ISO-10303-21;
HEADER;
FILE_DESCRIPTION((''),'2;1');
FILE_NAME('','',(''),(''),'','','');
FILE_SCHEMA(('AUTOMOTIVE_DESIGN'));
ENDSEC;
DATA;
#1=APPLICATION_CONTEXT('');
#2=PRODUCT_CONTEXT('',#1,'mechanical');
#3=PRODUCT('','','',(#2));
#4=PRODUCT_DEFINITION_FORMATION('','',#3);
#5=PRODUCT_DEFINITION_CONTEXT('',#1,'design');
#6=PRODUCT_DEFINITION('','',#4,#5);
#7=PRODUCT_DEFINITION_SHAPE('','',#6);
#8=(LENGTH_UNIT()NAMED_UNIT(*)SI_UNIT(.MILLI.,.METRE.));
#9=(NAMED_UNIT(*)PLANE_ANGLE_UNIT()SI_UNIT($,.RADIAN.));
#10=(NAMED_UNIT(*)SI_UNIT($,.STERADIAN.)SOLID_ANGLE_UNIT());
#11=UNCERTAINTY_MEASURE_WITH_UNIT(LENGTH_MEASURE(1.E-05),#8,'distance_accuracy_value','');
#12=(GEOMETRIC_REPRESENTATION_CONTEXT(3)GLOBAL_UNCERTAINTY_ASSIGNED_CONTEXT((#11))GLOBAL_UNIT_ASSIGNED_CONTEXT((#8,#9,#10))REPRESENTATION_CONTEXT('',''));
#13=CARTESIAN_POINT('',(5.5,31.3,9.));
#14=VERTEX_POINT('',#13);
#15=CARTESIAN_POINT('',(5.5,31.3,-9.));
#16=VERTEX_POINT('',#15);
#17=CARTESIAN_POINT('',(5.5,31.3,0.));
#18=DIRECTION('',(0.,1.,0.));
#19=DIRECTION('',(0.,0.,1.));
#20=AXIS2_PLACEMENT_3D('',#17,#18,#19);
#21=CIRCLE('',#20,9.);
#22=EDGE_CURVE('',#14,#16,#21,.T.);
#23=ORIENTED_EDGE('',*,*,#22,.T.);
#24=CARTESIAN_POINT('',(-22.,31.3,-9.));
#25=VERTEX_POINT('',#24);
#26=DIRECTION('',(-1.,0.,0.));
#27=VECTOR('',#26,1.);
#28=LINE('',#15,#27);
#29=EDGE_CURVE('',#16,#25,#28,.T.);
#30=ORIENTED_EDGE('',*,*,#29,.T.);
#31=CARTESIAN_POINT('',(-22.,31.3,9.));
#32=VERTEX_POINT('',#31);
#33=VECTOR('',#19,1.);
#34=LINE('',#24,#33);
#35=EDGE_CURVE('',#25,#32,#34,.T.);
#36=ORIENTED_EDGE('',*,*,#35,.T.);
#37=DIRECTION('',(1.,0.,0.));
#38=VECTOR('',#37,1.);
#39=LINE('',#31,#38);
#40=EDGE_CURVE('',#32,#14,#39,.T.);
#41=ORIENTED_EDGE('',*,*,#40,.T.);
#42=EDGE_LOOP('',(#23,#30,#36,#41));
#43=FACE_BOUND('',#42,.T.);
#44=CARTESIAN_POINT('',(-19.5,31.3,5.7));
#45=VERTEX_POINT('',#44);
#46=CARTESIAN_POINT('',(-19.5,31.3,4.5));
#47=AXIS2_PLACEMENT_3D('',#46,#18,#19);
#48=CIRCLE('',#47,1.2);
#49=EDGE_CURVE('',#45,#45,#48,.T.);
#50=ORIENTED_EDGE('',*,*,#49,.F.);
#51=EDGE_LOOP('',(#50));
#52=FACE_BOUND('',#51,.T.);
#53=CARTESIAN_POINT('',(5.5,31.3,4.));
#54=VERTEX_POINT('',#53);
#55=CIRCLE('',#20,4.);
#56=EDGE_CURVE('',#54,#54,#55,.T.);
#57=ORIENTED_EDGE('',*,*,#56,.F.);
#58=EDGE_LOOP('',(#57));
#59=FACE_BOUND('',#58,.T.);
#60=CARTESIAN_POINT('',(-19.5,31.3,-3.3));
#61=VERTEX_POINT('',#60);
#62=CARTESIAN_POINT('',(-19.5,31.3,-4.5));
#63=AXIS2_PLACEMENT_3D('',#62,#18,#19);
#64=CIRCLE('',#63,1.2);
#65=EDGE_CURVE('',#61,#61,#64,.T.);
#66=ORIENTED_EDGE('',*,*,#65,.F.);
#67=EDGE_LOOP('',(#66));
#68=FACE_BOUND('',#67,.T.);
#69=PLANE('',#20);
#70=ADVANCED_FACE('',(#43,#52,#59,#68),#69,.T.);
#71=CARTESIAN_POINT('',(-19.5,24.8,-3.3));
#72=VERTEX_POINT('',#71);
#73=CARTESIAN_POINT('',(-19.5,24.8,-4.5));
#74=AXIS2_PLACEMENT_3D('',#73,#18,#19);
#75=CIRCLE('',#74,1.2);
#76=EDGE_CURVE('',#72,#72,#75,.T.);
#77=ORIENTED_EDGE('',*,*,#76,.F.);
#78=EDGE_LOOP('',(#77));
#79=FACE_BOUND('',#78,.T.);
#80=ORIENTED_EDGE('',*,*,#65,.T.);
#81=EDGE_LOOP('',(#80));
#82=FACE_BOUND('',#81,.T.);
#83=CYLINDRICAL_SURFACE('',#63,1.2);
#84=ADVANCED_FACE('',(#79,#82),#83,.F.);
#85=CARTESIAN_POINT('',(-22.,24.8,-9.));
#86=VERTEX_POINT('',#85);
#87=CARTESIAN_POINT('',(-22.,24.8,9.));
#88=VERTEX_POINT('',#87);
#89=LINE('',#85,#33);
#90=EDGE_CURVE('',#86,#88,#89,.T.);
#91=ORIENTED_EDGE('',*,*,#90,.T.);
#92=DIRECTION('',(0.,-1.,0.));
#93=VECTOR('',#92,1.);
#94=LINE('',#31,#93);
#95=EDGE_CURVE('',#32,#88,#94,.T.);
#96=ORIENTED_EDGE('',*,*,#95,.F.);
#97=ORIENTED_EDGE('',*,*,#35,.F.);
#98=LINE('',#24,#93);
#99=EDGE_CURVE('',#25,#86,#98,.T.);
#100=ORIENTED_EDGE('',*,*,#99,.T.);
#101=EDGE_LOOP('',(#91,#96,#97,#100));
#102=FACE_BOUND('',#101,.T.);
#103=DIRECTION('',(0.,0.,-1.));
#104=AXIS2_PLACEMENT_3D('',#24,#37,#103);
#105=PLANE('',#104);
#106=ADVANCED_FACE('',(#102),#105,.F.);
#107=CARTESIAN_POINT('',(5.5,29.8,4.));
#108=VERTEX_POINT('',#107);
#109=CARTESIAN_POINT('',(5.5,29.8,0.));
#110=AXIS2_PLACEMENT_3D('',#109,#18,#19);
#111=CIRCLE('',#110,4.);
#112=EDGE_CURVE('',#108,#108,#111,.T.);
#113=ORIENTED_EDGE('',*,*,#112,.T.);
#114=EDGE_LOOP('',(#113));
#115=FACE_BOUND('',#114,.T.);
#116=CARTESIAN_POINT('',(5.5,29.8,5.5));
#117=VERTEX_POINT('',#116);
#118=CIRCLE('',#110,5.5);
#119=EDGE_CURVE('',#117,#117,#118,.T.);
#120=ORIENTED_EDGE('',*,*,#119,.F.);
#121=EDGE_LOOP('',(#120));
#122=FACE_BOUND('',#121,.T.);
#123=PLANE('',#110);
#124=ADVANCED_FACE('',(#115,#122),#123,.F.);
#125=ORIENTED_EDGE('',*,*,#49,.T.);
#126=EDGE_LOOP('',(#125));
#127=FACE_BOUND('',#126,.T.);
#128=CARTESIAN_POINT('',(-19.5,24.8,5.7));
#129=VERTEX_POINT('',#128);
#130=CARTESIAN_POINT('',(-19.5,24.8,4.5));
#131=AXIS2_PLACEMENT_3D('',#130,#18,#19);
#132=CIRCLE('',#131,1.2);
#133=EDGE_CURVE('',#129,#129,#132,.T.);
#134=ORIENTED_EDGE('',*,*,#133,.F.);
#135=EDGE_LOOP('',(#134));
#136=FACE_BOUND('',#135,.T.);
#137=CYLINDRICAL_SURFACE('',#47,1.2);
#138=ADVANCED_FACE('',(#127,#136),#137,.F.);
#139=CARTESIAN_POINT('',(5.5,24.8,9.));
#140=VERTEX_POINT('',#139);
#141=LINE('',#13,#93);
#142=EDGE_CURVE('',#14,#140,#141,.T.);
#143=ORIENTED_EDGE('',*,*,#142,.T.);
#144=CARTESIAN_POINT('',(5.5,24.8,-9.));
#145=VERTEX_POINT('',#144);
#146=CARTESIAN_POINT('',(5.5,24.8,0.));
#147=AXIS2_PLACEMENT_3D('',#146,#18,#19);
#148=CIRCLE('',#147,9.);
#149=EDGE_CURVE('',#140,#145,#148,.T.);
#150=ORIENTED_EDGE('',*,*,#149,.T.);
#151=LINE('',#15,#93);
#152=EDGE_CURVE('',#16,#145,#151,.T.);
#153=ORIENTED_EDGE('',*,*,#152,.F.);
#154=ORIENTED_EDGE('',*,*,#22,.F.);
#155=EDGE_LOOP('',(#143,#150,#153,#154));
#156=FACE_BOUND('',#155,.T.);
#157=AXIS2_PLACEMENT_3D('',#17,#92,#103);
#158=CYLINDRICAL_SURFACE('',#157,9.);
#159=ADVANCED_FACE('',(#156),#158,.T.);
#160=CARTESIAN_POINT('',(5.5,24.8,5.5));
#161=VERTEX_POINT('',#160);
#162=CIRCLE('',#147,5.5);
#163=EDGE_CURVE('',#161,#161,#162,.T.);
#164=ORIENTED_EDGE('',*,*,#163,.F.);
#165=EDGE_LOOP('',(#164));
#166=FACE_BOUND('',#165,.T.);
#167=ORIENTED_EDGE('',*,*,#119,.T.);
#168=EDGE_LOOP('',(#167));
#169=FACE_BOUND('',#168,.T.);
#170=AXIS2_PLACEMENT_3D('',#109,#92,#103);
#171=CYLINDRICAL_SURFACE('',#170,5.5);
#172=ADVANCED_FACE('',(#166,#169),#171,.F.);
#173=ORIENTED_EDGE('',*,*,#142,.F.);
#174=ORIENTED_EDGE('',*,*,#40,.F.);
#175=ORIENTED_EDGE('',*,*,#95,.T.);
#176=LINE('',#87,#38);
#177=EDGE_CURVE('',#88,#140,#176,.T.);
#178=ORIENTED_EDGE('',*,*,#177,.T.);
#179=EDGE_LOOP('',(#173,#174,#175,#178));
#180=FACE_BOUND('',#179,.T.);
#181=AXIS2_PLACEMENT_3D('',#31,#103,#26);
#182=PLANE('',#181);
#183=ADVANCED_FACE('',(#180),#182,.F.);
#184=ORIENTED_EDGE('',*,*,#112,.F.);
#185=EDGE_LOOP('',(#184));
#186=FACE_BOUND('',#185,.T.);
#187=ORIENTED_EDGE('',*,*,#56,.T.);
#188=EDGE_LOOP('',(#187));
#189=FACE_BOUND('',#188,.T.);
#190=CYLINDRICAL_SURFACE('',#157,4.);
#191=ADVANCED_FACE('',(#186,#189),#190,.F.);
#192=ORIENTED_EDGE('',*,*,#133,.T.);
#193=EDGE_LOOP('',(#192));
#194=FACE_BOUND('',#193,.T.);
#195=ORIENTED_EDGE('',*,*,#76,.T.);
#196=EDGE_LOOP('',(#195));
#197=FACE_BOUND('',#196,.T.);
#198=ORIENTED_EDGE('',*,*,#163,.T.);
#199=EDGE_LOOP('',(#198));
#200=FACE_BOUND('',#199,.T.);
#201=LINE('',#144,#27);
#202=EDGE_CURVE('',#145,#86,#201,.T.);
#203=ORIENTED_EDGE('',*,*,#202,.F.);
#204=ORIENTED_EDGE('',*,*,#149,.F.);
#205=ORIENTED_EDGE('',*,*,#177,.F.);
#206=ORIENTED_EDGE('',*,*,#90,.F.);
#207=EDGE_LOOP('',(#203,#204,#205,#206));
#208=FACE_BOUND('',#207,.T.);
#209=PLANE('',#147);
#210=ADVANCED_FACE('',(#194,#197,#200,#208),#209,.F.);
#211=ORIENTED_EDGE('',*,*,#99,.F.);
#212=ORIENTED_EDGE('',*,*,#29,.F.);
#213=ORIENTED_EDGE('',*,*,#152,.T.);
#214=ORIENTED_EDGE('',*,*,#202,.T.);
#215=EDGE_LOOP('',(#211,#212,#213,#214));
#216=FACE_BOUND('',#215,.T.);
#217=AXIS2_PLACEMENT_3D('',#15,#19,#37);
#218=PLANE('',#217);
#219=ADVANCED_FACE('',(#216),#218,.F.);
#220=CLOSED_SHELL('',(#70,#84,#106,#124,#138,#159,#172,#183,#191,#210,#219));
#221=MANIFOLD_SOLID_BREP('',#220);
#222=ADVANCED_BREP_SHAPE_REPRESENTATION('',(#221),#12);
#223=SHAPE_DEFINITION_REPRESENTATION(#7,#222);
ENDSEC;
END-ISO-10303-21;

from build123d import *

# Parameters (mm, degrees)
BOSS_EXTRUDE1_DEPTH  = 6.5
SKETCH2_R            = 5.5
CUT_EXTRUDE2_DEPTH   = 5
SKETCH3_R            = 4
CUT_EXTRUDE4_DEPTH   = 1.5
M2_CLEARANCE_HOLE1_D = 2.4
M2_CLEARANCE_HOLE2_D = 2.4


with BuildPart() as part:
    # Sketch1 → Boss-Extrude1 (new body)
    with BuildSketch(Plane(origin=(0, 24.8, 0), x_dir=(1, 0, 0), z_dir=(0, 1, 0))):
        with BuildLine():
            Line((5.5, 9), (-22, 9))
            Line((-22, 9), (-22, -9))
            Line((-22, -9), (5.5, -9))
            ThreePointArc((5.5, -9), (14.5, 0), (5.5, 9))
        make_face()
    extrude(amount=BOSS_EXTRUDE1_DEPTH)

    # Sketch2 → Cut-Extrude2 (cut)
    with BuildSketch(Plane(origin=(0, 24.8, 0), x_dir=(1, 0, 0), z_dir=(0, 1, 0))):
        with Locations(Location((5.5, 0, 0), (0, 0, 270))):
            Circle(SKETCH2_R)
    extrude(amount=CUT_EXTRUDE2_DEPTH, mode=Mode.SUBTRACT)

    # Sketch3 → Cut-Extrude4 (cut)
    with BuildSketch(Plane(origin=(0, 29.8, 0), x_dir=(1, 0, 0), z_dir=(0, 1, 0))):
        with Locations(Location((5.5, 0, 0), (0, 0, 270))):
            Circle(SKETCH3_R)
    extrude(amount=CUT_EXTRUDE4_DEPTH, mode=Mode.SUBTRACT)

    # M2 Clearance Hole1 (through all)
    with Locations(Plane(origin=(0, 31.3, 0), x_dir=(1, 0, 0), z_dir=(0, 1, 0))):
        with Locations((-19.5, -4.5)):
            Hole(M2_CLEARANCE_HOLE1_D / 2)

    # M2 Clearance Hole2 (through all)
    with Locations(Plane(origin=(0, 31.3, 0), x_dir=(1, 0, 0), z_dir=(0, 1, 0))):
        with Locations((-19.5, 4.5)):
            Hole(M2_CLEARANCE_HOLE2_D / 2)


solid = part.part
